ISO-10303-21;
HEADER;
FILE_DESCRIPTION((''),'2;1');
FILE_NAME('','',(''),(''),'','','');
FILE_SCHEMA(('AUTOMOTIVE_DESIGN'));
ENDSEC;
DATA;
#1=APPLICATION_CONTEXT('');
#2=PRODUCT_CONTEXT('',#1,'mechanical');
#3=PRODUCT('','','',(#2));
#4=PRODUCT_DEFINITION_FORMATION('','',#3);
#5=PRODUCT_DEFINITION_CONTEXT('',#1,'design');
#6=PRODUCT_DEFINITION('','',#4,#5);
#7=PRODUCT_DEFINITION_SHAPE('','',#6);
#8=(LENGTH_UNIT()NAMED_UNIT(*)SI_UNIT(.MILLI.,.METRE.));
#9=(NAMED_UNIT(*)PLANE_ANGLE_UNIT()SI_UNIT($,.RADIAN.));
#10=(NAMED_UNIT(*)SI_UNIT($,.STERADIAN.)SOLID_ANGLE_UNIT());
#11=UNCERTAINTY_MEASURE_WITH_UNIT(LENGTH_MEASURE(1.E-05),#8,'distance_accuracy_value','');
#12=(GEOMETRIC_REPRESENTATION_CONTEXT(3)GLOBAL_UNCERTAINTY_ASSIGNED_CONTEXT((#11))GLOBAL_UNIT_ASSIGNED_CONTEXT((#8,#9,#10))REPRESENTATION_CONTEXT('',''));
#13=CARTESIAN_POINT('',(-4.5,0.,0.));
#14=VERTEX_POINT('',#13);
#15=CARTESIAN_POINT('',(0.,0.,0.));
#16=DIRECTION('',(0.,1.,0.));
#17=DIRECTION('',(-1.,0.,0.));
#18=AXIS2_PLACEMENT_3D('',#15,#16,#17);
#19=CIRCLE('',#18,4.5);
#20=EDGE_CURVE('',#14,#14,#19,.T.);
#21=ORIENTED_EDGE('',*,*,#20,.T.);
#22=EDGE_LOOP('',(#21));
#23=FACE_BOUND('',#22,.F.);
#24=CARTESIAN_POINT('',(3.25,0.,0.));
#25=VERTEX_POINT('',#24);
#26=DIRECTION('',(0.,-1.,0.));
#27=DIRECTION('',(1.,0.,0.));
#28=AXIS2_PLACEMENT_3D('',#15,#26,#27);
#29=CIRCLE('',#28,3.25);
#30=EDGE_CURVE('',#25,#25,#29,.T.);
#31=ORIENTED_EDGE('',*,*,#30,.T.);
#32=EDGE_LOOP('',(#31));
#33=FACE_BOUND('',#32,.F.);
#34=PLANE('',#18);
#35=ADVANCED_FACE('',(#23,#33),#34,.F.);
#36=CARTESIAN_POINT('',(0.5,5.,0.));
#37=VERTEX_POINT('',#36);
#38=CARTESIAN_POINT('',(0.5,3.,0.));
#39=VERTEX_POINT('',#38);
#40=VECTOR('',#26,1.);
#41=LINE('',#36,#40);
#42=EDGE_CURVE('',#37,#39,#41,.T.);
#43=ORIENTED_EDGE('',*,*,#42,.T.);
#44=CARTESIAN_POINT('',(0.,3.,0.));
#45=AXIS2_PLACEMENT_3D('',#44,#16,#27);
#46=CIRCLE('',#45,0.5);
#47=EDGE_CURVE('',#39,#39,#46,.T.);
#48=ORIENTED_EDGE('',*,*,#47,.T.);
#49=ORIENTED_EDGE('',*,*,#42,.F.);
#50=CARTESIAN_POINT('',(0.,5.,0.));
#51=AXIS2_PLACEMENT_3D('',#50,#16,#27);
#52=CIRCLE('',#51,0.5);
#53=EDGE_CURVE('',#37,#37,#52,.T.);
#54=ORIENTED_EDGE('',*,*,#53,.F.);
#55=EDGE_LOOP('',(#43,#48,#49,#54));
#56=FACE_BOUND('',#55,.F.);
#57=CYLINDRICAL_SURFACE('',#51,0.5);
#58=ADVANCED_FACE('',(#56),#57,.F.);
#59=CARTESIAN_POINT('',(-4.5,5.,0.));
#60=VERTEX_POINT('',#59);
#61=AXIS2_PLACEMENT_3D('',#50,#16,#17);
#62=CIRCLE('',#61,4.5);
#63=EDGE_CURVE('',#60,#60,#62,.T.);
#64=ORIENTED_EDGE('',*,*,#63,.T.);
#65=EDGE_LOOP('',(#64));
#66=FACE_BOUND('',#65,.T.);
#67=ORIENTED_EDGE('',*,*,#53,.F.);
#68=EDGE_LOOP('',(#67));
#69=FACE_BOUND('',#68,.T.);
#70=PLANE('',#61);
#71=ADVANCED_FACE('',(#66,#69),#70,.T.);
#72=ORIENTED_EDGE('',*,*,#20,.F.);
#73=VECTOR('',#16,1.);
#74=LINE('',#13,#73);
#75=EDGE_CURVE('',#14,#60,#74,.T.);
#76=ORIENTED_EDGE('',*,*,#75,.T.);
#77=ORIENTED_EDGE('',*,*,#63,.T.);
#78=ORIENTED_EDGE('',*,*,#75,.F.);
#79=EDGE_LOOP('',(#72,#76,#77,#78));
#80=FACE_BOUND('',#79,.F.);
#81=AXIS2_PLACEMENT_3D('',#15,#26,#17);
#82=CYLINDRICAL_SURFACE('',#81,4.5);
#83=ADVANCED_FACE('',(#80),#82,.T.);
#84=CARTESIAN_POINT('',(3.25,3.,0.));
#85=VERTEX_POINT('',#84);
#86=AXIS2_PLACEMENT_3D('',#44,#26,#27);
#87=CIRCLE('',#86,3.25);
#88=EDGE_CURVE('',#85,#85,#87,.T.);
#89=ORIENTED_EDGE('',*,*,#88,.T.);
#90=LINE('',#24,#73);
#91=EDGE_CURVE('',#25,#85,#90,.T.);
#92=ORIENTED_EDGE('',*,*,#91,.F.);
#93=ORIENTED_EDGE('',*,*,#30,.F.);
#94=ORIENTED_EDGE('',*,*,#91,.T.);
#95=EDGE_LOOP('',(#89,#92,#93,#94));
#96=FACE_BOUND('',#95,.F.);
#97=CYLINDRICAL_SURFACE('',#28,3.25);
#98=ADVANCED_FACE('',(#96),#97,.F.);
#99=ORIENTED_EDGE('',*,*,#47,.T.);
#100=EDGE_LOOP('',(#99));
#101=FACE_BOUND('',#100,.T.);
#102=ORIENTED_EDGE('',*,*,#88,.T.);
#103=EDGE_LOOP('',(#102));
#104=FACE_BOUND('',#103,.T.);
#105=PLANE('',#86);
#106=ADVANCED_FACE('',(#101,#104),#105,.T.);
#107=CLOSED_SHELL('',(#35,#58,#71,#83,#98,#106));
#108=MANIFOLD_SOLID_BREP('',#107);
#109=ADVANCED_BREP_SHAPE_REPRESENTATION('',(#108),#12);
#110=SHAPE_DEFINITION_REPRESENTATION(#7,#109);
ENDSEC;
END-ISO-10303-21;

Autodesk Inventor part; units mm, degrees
ref_plane "YZ Plane" through (0, 0, 0) normal (1, 0, 0) x (0, 1, 0)
ref_plane "XZ Plane" through (0, 0, 0) normal (0, 1, 0) x (-1, 0, 0)
ref_plane "XY Plane" through (0, 0, 0) normal (0, 0, 1) x (1, 0, 0)
sketch "Sketch1" plane through (0, 0, 0) normal (0, 1, 0) x (-1, 0, 0)
  point P0 (0, 0)
sketch "Sketch2" plane through (0, 0, 0) normal (0, 1, 0) x (-1, 0, 0)
  circle A0 centre (0, 0) radius 4.5
  dimension "d0" = 9
extrude "Extrusion1" add sketch "Sketch2" along normal blind 5
sketch "Sketch3" plane through (0, 0, 0) normal (0, -1, 0) x (1, 0, 0)
  circle A0 centre (0, 0) radius 3.25
  dimension "d3" = 6.5
extrude "Extrusion2" cut sketch "Sketch3" against normal blind 3
sketch "Sketch4" plane through (0, 5, 0) normal (0, 1, 0) x (1, 0, 0)
  circle A0 centre (0, 0) radius 0.5
  dimension "d6" = 1
extrude "Extrusion3" cut sketch "Sketch4" along normal blind 3
sketch "Sketch5" plane through (0, 5, 0) normal (0, 1, 0) x (1, 0, 0)
  circle A0 centre (0, 0) radius 0.5
  dimension "d9" = 1
extrude "Extrusion4" cut sketch "Sketch5" along normal blind 3
sketch "Sketch6" plane through (0, 5, 0) normal (0, 1, 0) x (1, 0, 0)
  circle A0 centre (0, 0) radius 0.5
  dimension "d12" = 1
extrude "Extrusion5" cut sketch "Sketch6" against normal blind 3
properties part number "Explo base"
